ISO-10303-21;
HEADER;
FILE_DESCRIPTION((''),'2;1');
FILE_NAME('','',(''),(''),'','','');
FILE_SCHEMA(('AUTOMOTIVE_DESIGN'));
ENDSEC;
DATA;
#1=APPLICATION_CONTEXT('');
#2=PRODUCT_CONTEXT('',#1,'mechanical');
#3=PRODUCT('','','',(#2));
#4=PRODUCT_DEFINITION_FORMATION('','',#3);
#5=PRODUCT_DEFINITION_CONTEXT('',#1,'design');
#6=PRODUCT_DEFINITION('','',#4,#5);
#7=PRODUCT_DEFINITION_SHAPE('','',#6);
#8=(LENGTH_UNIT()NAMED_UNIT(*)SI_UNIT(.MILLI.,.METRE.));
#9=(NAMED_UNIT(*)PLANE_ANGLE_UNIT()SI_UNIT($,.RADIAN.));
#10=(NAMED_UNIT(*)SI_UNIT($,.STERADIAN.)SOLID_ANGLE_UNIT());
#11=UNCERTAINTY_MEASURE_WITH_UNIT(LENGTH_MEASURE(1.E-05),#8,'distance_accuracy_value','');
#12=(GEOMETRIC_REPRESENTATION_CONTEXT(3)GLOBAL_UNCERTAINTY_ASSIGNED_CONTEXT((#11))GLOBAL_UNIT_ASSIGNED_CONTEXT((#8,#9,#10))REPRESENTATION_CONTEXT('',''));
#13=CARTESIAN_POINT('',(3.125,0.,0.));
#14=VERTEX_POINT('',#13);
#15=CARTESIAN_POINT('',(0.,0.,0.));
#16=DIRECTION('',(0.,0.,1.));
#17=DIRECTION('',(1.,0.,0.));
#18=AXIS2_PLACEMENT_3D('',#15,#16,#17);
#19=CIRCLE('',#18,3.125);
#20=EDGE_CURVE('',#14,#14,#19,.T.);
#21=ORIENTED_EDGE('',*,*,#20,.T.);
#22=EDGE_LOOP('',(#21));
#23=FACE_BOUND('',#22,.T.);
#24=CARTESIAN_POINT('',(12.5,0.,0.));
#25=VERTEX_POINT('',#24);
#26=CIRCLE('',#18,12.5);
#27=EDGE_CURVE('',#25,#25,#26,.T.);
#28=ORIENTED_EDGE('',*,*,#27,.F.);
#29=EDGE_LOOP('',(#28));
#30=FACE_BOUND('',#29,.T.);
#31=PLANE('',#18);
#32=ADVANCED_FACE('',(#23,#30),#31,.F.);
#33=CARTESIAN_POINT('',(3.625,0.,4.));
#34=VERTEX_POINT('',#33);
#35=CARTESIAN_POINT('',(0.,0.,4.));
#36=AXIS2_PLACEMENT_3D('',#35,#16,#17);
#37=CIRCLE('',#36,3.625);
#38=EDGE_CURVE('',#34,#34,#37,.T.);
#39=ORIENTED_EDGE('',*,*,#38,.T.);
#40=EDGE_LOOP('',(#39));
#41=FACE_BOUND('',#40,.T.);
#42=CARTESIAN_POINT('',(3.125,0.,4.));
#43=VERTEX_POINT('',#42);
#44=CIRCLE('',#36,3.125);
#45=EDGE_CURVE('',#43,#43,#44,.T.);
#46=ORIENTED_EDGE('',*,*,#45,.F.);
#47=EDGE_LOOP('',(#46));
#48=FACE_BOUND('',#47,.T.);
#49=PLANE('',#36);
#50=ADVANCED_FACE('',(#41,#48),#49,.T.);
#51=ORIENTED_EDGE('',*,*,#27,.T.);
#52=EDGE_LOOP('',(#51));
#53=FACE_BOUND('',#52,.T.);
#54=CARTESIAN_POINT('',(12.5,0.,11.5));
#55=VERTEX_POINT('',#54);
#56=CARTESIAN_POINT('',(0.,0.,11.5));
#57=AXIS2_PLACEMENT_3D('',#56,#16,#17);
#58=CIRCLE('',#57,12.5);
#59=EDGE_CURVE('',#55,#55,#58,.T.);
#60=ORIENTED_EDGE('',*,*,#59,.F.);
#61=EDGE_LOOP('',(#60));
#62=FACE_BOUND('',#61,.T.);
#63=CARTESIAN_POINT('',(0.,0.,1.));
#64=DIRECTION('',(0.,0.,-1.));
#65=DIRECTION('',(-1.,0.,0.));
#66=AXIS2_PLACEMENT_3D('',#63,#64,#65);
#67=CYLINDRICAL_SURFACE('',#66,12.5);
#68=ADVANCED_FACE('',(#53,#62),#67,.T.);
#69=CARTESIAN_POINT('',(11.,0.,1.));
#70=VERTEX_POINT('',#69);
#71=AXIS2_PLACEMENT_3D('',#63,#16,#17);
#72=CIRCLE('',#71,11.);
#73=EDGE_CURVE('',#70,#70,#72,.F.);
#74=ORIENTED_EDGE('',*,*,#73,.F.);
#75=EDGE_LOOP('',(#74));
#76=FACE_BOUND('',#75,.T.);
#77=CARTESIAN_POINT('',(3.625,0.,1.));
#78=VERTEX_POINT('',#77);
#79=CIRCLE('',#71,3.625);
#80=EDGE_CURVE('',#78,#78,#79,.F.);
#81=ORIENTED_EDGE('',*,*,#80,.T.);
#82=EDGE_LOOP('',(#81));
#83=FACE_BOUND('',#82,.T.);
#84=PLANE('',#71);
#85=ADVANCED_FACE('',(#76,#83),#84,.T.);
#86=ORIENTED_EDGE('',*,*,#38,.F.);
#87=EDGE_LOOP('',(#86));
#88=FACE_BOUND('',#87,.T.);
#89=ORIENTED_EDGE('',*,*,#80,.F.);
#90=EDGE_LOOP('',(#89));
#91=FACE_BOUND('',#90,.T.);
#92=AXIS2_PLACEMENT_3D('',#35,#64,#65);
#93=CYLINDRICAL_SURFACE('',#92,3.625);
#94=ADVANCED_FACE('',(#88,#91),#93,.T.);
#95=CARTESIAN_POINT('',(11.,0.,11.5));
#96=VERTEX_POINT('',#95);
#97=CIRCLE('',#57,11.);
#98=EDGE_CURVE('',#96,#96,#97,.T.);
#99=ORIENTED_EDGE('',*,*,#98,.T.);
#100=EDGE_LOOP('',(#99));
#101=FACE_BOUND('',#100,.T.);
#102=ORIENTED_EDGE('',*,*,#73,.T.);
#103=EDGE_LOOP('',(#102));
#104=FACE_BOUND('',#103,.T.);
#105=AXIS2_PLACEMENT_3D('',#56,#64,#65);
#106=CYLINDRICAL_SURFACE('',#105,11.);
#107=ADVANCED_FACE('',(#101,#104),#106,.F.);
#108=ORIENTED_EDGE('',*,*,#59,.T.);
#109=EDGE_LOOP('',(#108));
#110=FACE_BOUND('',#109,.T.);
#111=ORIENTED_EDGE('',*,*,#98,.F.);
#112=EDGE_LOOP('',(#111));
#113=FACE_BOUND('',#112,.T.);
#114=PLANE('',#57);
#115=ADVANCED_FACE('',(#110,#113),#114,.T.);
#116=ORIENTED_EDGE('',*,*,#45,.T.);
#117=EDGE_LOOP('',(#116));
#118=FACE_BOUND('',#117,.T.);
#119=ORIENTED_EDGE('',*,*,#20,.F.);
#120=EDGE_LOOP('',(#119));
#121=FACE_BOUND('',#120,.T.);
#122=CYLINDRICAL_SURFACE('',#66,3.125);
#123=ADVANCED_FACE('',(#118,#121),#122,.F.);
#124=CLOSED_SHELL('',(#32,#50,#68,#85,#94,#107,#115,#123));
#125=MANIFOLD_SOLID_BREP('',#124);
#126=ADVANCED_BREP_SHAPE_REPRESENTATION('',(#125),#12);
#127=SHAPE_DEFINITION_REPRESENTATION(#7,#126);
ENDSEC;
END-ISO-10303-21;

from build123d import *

# Parameters (mm, degrees)
SKETCH_2_R      = 12.5
SKETCH_2_R_2    = 3.125
EXTRUDE_1_DEPTH = 1
SKETCH_2_4_R    = 3.625
SKETCH_2_4_R_2  = 3.125
EXTRUDE_2_DEPTH = 4
SKETCH_2_6_R    = 12.5
SKETCH_2_6_R_2  = 11
EXTRUDE_3_DEPTH = 11.5


with BuildPart() as part:
    # ｽｹｯﾁ2 → ﾎﾞｽ - 押し出し1 (new body)
    with BuildSketch(Plane.XY):
        Circle(SKETCH_2_R)
        Circle(SKETCH_2_R_2, mode=Mode.SUBTRACT)
    extrude(amount=EXTRUDE_1_DEPTH)

    # ｽｹｯﾁ2<4> → ﾎﾞｽ - 押し出し2 (add)
    with BuildSketch(Plane.XY):
        Circle(SKETCH_2_4_R)
        Circle(SKETCH_2_4_R_2, mode=Mode.SUBTRACT)
    extrude(amount=EXTRUDE_2_DEPTH)

    # ｽｹｯﾁ2<6> → ﾎﾞｽ - 押し出し3 (add)
    with BuildSketch(Plane.XY):
        Circle(SKETCH_2_6_R)
        Circle(SKETCH_2_6_R_2, mode=Mode.SUBTRACT)
    extrude(amount=EXTRUDE_3_DEPTH)


solid = part.part
